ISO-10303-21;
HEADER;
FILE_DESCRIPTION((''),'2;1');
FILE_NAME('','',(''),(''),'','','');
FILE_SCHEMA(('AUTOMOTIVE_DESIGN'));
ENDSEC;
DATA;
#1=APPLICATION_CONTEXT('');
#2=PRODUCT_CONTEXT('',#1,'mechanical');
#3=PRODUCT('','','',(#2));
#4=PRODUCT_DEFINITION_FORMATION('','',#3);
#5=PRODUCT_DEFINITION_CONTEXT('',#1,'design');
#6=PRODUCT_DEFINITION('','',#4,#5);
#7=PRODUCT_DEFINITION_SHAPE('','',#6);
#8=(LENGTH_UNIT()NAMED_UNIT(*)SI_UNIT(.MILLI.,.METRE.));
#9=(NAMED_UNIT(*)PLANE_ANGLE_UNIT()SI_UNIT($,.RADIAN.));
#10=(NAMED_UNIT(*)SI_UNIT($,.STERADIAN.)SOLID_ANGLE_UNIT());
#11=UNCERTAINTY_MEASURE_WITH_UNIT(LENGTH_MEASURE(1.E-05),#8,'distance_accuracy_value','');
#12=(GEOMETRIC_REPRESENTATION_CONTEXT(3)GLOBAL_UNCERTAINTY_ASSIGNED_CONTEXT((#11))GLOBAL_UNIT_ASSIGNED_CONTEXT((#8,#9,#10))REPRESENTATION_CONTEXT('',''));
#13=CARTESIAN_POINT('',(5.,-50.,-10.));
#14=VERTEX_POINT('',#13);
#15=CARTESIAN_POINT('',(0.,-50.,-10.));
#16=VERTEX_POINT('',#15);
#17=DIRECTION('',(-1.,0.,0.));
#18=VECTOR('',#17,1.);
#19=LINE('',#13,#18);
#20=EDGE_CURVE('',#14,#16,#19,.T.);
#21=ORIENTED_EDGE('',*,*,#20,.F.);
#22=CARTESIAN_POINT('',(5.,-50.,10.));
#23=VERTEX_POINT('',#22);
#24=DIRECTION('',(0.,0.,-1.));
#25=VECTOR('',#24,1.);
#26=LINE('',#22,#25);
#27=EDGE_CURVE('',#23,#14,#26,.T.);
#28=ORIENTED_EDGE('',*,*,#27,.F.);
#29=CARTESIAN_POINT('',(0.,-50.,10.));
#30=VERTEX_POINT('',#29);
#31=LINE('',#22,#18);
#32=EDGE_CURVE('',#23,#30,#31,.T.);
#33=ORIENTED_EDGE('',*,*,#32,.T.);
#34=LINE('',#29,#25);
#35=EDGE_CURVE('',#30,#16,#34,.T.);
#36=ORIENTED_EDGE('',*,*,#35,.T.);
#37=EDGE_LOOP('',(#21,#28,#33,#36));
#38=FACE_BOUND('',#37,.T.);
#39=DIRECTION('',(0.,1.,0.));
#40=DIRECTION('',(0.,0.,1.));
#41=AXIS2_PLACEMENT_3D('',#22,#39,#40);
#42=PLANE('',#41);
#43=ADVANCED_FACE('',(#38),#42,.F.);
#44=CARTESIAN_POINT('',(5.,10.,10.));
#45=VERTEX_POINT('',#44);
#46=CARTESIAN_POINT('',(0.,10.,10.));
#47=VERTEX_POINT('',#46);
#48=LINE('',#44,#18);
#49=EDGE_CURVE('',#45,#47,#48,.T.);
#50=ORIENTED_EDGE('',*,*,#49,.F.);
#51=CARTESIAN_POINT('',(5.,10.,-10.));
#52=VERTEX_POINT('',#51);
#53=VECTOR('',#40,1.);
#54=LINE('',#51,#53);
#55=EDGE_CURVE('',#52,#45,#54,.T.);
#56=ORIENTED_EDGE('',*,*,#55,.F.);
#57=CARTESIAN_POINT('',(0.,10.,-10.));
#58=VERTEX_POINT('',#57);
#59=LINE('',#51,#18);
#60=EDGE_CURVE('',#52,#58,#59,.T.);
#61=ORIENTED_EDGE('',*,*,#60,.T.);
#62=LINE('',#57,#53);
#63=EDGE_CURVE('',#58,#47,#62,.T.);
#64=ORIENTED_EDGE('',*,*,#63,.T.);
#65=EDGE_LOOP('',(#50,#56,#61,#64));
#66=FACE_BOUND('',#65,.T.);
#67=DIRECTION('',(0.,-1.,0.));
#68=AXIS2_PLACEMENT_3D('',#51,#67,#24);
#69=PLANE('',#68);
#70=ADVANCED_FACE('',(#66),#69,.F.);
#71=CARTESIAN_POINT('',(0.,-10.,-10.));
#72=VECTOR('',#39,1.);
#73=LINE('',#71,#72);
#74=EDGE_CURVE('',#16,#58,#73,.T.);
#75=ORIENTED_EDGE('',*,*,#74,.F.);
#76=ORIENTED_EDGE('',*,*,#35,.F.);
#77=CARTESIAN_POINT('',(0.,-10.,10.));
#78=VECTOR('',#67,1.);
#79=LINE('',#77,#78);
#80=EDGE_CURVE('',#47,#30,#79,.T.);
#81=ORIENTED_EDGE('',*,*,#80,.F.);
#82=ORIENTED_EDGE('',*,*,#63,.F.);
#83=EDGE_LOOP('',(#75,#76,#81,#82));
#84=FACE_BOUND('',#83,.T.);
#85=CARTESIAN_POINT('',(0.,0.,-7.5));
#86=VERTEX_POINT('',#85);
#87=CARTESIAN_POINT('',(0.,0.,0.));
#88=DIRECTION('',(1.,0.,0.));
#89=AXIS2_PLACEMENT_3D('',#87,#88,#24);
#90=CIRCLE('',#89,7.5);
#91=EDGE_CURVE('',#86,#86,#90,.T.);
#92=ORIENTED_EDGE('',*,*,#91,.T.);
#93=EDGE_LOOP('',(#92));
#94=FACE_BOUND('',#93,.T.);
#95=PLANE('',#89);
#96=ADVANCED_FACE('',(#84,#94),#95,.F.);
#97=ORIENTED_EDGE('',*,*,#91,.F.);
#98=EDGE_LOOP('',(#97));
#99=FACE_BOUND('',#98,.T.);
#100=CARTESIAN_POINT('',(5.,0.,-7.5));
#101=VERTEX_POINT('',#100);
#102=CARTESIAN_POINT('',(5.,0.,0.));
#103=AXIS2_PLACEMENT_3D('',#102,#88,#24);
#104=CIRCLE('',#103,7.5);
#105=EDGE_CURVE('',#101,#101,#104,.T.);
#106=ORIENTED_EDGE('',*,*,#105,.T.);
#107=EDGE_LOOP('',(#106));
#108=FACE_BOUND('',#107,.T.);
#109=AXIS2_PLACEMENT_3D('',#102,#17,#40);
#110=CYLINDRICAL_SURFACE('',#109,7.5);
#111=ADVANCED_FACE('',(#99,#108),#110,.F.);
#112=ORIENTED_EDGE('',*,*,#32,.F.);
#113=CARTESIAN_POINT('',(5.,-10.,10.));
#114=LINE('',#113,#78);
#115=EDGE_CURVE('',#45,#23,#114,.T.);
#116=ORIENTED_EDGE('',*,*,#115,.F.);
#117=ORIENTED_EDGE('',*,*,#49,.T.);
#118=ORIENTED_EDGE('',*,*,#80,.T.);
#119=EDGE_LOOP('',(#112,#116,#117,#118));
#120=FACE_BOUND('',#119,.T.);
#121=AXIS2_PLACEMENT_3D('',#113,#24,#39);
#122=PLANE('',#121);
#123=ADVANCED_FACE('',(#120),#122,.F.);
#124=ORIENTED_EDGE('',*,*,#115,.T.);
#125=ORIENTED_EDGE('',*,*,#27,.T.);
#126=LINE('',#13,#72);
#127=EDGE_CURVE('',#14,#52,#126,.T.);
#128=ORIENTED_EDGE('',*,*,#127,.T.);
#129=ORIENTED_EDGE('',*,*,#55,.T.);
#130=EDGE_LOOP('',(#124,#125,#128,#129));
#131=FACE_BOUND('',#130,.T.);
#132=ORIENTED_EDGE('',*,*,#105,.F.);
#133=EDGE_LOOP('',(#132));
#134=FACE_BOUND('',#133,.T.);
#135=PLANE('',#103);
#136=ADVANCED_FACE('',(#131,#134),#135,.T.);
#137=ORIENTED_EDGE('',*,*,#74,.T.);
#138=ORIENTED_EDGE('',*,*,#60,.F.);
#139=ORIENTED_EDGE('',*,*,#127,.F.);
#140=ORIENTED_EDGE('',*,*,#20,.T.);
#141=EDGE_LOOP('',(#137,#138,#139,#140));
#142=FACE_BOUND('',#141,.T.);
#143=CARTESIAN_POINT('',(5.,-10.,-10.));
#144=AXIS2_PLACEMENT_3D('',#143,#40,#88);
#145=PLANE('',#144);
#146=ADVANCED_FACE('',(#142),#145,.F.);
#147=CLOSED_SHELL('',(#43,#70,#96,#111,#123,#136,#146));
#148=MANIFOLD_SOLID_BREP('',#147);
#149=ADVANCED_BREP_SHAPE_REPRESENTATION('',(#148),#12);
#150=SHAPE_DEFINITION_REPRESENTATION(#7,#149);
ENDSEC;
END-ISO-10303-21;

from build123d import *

# Parameters (mm, degrees)
SKETCH_1_R      = 7.5
EXTRUDE_1_DEPTH = 5


with BuildPart() as part:
    # 草图1 → 凸台-拉伸1 (new body)
    with BuildSketch(Plane(origin=(0, 0, 0), x_dir=(0, 0, -1), z_dir=(1, 0, 0))):
        Polygon((-10, -10), (-10, -50), (10, -50), (10, -10), (10, 10), (-10, 10), align=None)
        Circle(SKETCH_1_R, mode=Mode.SUBTRACT)
    extrude(amount=EXTRUDE_1_DEPTH)


solid = part.part
